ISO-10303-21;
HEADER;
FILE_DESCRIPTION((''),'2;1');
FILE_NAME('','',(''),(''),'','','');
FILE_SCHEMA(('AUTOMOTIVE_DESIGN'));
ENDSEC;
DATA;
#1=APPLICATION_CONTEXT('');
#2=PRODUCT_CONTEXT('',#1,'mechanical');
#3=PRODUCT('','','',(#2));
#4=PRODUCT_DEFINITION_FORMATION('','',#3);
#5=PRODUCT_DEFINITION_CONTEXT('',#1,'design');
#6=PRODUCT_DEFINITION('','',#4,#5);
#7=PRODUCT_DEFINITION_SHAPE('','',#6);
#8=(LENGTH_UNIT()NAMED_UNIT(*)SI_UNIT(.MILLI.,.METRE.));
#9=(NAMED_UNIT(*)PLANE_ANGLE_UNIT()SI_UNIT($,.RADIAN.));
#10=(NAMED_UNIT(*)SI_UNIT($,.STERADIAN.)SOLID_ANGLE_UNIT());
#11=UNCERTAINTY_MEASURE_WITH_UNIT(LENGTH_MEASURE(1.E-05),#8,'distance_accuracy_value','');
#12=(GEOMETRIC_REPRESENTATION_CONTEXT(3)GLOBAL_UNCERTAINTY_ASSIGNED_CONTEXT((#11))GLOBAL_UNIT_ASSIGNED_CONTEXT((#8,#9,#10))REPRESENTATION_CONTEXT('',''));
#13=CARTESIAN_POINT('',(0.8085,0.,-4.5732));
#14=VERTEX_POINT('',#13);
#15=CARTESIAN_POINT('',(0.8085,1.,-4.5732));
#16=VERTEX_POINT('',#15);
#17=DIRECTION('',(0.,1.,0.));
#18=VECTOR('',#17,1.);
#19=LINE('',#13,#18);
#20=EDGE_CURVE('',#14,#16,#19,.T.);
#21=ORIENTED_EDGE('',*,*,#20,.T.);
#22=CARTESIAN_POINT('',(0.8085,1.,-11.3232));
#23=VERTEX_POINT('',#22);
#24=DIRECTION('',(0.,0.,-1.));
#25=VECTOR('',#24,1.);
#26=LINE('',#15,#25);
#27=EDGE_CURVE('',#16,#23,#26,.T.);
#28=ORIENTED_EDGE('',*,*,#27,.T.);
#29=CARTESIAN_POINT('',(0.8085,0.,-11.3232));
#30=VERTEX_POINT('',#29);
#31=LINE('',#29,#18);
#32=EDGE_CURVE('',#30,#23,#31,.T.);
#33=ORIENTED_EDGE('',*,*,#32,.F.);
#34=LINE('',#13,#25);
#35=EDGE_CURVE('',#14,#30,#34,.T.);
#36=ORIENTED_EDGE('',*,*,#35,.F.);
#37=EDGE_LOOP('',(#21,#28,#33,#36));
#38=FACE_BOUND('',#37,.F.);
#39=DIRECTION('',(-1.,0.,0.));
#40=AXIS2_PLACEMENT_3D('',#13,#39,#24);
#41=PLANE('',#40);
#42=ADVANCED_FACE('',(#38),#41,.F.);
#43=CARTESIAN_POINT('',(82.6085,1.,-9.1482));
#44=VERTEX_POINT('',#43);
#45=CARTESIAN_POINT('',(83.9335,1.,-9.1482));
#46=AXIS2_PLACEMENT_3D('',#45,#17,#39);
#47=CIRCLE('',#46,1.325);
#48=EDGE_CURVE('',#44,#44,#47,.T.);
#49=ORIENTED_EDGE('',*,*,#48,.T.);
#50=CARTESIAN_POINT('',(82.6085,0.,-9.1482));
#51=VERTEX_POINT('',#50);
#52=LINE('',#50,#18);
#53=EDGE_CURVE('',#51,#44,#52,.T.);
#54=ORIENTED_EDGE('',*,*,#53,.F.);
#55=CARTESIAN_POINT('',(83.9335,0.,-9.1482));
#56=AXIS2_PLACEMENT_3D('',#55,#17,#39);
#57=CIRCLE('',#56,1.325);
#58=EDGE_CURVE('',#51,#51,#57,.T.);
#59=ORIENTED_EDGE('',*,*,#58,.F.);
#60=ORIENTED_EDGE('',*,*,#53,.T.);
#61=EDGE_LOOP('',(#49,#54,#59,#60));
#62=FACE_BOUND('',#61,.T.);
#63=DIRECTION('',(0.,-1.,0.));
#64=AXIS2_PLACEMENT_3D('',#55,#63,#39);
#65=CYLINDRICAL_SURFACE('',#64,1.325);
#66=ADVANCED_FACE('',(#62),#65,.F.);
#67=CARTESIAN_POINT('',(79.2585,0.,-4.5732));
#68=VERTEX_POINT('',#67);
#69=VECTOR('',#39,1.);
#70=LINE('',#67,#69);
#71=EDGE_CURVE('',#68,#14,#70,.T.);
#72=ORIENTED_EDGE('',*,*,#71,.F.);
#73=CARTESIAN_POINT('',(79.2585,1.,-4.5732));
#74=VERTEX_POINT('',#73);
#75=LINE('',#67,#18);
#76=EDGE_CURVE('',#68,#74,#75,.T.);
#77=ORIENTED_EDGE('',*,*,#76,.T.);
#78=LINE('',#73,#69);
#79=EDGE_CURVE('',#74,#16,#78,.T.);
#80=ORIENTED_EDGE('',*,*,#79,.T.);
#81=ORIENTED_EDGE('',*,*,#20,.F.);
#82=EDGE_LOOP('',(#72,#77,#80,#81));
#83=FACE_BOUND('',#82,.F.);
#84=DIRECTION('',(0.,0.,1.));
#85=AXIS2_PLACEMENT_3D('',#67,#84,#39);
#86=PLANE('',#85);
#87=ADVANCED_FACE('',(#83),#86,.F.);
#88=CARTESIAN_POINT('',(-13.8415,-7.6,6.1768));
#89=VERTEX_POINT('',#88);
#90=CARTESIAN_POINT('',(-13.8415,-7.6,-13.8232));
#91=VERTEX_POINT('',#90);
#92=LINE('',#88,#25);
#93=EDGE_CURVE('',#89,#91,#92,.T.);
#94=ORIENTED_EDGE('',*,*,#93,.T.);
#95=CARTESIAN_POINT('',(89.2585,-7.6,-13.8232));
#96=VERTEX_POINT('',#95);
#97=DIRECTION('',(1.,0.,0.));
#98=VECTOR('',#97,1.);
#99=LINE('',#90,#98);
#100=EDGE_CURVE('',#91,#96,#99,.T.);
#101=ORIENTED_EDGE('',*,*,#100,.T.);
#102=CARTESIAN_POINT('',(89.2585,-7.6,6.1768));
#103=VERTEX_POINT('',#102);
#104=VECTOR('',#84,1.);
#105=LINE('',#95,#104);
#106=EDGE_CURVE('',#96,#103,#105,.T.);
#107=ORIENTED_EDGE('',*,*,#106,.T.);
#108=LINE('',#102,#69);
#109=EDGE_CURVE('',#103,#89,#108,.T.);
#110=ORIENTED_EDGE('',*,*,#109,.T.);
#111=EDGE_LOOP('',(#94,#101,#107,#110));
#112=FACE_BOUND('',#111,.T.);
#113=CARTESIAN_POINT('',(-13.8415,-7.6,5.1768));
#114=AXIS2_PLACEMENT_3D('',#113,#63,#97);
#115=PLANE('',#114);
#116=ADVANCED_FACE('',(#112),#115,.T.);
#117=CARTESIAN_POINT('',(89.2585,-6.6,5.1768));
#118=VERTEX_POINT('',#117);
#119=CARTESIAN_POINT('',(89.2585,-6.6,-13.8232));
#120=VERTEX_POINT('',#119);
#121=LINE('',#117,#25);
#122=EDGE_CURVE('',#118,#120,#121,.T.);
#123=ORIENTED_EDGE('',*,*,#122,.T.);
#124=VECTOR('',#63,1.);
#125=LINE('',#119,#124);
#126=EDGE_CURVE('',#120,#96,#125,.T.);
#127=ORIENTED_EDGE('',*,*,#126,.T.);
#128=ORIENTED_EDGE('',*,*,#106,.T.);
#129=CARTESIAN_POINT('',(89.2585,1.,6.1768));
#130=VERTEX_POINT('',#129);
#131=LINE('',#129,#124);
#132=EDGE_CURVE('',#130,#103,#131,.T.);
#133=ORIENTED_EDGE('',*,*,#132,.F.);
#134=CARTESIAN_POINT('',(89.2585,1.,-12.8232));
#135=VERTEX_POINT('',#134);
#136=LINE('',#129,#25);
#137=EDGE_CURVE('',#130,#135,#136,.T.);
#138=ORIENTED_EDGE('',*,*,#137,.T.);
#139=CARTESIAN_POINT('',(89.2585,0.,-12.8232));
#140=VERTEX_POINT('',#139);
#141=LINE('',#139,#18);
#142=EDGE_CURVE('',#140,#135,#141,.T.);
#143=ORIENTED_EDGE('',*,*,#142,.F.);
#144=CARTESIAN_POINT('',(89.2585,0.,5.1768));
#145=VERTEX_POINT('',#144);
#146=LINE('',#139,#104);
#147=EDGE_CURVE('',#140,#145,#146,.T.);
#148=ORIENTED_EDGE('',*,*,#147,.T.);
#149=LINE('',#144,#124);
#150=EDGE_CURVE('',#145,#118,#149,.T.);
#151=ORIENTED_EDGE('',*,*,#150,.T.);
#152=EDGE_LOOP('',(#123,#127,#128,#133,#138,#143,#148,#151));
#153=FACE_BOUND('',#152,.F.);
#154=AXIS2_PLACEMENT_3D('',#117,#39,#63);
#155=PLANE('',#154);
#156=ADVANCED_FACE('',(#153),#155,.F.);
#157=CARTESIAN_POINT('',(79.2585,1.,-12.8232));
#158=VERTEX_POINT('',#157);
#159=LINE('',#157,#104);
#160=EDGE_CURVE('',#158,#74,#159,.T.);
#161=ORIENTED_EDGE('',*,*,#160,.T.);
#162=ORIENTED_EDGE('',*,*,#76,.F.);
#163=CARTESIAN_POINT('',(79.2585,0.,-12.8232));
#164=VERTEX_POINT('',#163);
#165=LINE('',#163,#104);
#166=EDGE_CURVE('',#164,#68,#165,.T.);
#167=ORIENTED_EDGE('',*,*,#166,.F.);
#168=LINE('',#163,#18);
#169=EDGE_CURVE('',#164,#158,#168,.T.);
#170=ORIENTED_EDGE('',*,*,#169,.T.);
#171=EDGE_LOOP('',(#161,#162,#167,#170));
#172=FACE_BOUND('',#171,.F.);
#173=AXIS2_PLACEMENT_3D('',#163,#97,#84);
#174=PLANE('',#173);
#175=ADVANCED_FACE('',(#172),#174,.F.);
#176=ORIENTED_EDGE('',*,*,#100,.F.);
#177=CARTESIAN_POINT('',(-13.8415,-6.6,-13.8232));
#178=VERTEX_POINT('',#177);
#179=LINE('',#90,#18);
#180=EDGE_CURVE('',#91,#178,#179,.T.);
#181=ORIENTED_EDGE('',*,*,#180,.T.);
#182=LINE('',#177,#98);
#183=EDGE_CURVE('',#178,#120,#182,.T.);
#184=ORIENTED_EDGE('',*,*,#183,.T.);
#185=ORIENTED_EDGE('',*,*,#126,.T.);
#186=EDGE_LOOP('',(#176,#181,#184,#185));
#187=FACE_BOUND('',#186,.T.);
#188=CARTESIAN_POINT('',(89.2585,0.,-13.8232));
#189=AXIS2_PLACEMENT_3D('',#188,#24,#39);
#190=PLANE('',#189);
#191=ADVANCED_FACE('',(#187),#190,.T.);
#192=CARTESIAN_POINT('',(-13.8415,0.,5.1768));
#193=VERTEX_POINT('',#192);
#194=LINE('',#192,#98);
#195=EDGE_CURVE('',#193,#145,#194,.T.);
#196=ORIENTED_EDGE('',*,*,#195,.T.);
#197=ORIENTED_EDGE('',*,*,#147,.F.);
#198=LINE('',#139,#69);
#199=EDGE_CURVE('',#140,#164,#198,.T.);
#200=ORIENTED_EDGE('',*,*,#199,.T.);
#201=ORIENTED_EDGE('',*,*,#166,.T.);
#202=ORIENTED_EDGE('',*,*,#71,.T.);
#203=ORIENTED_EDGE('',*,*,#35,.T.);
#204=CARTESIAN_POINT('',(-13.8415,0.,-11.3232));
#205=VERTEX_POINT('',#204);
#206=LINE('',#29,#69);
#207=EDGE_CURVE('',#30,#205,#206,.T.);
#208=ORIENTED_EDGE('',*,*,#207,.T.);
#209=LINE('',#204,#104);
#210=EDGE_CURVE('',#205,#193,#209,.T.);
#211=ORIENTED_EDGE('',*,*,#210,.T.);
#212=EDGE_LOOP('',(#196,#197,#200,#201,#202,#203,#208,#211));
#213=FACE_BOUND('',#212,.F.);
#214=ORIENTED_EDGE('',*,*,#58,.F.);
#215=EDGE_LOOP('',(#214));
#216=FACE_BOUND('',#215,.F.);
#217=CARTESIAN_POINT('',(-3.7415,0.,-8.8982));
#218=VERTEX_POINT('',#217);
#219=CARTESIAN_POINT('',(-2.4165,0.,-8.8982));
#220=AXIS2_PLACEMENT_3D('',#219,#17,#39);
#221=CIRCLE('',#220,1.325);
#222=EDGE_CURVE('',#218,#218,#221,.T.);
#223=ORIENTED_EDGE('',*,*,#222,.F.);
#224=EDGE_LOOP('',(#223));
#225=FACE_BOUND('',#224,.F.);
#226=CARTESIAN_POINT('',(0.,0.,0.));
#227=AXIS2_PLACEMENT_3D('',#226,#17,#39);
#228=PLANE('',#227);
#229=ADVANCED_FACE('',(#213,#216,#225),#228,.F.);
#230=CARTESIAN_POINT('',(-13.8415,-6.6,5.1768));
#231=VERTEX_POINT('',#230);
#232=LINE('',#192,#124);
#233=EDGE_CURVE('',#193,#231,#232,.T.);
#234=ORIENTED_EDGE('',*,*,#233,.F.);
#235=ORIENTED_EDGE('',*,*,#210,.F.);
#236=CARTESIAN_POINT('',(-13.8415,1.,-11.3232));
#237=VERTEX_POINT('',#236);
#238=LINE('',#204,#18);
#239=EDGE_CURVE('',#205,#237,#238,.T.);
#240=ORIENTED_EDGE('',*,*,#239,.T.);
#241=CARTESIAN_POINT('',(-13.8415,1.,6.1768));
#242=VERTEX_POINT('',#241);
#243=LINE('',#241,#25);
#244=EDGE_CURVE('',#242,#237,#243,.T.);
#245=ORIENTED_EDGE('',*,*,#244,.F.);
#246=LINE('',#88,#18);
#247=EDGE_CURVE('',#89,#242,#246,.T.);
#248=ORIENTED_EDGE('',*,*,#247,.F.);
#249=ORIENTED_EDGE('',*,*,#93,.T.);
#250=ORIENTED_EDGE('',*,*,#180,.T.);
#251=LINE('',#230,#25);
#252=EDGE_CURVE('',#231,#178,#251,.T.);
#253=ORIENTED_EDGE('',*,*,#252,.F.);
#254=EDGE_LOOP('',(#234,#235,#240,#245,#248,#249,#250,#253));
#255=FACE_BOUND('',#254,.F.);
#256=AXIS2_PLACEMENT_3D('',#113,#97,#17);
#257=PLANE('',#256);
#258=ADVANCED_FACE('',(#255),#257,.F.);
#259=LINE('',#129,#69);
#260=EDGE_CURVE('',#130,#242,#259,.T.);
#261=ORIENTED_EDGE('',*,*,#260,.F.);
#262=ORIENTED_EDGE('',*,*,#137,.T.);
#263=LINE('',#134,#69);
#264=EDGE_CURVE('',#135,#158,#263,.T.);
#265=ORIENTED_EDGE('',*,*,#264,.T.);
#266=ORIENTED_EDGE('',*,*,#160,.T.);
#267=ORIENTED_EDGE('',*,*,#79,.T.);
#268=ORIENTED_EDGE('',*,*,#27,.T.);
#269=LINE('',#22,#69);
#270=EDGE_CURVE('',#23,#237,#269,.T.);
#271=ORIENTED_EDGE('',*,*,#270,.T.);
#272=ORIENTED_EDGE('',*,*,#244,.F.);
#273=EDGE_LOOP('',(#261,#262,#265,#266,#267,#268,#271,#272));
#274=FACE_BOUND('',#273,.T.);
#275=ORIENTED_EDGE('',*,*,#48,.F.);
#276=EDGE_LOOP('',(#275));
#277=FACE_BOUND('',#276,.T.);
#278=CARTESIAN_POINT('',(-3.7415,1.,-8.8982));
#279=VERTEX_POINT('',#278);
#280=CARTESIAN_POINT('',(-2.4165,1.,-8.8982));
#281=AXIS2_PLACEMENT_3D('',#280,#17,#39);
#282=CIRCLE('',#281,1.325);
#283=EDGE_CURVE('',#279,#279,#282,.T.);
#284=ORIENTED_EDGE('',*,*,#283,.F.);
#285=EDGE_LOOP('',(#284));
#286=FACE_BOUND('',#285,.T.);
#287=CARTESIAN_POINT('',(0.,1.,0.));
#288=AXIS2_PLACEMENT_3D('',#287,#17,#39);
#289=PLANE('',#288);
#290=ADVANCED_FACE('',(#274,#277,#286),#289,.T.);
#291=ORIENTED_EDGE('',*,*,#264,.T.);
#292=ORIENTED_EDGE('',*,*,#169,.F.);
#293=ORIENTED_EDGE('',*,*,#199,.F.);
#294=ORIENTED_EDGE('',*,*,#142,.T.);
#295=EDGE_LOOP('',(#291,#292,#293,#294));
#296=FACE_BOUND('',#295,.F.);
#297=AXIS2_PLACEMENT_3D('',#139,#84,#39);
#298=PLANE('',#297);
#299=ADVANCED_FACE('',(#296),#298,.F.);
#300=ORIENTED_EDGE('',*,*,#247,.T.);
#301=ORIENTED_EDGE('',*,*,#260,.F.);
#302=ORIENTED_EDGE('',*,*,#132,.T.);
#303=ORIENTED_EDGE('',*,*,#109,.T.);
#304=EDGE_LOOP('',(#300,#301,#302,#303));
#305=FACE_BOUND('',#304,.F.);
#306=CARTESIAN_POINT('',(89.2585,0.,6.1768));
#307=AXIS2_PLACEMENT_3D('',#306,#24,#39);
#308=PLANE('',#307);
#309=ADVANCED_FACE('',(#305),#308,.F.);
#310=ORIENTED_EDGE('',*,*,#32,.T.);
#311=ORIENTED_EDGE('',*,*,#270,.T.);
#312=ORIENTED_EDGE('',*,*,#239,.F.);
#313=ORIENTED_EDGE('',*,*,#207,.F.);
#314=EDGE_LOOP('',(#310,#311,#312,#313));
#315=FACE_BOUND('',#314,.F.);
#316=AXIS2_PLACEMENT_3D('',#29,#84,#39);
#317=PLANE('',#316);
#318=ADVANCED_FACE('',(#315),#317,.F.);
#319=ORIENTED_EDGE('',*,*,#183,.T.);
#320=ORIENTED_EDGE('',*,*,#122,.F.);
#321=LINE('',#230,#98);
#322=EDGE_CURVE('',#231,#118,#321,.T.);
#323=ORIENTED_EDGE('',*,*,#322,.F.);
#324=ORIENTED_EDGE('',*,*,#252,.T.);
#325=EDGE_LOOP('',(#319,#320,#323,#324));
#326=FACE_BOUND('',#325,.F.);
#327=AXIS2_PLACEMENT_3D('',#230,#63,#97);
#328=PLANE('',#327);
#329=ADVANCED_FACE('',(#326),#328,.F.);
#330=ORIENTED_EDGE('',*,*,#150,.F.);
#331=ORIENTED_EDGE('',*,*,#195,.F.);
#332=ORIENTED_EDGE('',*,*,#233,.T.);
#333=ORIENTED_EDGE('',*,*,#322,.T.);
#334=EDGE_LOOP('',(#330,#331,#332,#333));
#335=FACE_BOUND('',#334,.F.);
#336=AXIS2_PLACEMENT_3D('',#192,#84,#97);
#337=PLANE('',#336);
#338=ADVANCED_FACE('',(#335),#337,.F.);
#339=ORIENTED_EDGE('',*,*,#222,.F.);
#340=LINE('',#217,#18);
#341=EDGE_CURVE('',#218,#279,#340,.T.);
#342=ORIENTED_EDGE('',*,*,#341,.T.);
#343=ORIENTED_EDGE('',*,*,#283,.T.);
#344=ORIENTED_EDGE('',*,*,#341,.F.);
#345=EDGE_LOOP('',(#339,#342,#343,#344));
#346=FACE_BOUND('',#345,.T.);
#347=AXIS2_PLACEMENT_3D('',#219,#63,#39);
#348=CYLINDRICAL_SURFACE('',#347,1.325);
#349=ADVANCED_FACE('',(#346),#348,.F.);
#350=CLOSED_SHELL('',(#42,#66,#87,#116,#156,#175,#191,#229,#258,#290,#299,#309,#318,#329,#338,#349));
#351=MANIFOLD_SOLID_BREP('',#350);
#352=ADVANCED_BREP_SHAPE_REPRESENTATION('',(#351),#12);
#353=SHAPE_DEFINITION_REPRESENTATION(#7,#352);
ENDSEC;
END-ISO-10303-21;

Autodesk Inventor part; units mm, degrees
ref_plane "YZ Plane" through (0, 0, 0) normal (1, 0, 0) x (0, 1, 0)
ref_plane "XZ Plane" through (0, 0, 0) normal (0, 1, 0) x (-1, 0, 0)
ref_plane "XY Plane" through (0, 0, 0) normal (0, 0, 1) x (1, 0, 0)
sketch "Sketch1" plane through (0, 0, 0) normal (0, 1, 0) x (-1, 0, 0)
  line L0 (13.8415, 5.1768) -> (-89.2585, 5.1768)
  line L1 (-89.2585, 5.1768) -> (-89.2585, -12.8232)
  line L2 (-89.2585, -12.8232) -> (-79.2585, -12.8232)
  line L3 (-79.2585, -12.8232) -> (-79.2585, -4.5732)
  line L4 (-79.2585, -4.5732) -> (-0.8085, -4.5732)
  line L5 (-0.8085, -4.5732) -> (-0.8085, -11.3232)
  line L6 (-0.8085, -11.3232) -> (13.8415, -11.3232)
  line L7 (13.8415, -11.3232) -> (13.8415, 5.1768)
  circle A0 centre (2.4165, -8.8982) radius 1.325
  circle A1 centre (-83.9335, -9.1482) radius 1.325
  line L8 (13.8415, 5.1768) -> (-89.2585, 5.1768)
  line L9 (-89.2585, 5.1768) -> (-89.2585, 6.1768)
  line L10 (-89.2585, 6.1768) -> (13.8415, 6.1768)
  line L11 (13.8415, 6.1768) -> (13.8415, 5.1768)
  point P0 (0, 0)
  dimension "d0" = 2.65
  dimension "d1" = 2.65
  dimension "d2" = 103.1
  dimension "d3" = 14.65
  dimension "d4" = 10
  dimension "d5" = 18
  dimension "d6" = 16.5
  dimension "d7" = 14.075
  dimension "d8" = 11.425
  dimension "d9" = 9.75
  dimension "d10" = 14.325
  dimension "d11" = 5.325
  dimension "d14" = 1
extrude "Extrusion1" add sketch "Sketch1" along normal blind 1
extrude "Extrusion2" add sketch "Sketch1" against normal blind 7.6 contours L0 L9 L10 L11
sketch "Sketch3" plane through (89.2585, 0, 5.1768) normal (0, 0, -1) x (-1, 0, 0)
  line L0 (103.1, -7.6) -> (0, -7.6) projected
  line L1 (103.1, -7.6) -> (103.1, 1) projected
  line L2 (0, -7.6) -> (103.1, -7.6)
  line L3 (103.1, -7.6) -> (103.1, -6.6)
  line L4 (103.1, -6.6) -> (0, -6.6)
  line L5 (0, -6.6) -> (0, -7.6)
  point P0 (89.2585, 0)
  dimension "d17" = 1
extrude "Extrusion3" add sketch "Sketch3" along normal blind 19
properties part number "CO-1-01-jetsonMount"
